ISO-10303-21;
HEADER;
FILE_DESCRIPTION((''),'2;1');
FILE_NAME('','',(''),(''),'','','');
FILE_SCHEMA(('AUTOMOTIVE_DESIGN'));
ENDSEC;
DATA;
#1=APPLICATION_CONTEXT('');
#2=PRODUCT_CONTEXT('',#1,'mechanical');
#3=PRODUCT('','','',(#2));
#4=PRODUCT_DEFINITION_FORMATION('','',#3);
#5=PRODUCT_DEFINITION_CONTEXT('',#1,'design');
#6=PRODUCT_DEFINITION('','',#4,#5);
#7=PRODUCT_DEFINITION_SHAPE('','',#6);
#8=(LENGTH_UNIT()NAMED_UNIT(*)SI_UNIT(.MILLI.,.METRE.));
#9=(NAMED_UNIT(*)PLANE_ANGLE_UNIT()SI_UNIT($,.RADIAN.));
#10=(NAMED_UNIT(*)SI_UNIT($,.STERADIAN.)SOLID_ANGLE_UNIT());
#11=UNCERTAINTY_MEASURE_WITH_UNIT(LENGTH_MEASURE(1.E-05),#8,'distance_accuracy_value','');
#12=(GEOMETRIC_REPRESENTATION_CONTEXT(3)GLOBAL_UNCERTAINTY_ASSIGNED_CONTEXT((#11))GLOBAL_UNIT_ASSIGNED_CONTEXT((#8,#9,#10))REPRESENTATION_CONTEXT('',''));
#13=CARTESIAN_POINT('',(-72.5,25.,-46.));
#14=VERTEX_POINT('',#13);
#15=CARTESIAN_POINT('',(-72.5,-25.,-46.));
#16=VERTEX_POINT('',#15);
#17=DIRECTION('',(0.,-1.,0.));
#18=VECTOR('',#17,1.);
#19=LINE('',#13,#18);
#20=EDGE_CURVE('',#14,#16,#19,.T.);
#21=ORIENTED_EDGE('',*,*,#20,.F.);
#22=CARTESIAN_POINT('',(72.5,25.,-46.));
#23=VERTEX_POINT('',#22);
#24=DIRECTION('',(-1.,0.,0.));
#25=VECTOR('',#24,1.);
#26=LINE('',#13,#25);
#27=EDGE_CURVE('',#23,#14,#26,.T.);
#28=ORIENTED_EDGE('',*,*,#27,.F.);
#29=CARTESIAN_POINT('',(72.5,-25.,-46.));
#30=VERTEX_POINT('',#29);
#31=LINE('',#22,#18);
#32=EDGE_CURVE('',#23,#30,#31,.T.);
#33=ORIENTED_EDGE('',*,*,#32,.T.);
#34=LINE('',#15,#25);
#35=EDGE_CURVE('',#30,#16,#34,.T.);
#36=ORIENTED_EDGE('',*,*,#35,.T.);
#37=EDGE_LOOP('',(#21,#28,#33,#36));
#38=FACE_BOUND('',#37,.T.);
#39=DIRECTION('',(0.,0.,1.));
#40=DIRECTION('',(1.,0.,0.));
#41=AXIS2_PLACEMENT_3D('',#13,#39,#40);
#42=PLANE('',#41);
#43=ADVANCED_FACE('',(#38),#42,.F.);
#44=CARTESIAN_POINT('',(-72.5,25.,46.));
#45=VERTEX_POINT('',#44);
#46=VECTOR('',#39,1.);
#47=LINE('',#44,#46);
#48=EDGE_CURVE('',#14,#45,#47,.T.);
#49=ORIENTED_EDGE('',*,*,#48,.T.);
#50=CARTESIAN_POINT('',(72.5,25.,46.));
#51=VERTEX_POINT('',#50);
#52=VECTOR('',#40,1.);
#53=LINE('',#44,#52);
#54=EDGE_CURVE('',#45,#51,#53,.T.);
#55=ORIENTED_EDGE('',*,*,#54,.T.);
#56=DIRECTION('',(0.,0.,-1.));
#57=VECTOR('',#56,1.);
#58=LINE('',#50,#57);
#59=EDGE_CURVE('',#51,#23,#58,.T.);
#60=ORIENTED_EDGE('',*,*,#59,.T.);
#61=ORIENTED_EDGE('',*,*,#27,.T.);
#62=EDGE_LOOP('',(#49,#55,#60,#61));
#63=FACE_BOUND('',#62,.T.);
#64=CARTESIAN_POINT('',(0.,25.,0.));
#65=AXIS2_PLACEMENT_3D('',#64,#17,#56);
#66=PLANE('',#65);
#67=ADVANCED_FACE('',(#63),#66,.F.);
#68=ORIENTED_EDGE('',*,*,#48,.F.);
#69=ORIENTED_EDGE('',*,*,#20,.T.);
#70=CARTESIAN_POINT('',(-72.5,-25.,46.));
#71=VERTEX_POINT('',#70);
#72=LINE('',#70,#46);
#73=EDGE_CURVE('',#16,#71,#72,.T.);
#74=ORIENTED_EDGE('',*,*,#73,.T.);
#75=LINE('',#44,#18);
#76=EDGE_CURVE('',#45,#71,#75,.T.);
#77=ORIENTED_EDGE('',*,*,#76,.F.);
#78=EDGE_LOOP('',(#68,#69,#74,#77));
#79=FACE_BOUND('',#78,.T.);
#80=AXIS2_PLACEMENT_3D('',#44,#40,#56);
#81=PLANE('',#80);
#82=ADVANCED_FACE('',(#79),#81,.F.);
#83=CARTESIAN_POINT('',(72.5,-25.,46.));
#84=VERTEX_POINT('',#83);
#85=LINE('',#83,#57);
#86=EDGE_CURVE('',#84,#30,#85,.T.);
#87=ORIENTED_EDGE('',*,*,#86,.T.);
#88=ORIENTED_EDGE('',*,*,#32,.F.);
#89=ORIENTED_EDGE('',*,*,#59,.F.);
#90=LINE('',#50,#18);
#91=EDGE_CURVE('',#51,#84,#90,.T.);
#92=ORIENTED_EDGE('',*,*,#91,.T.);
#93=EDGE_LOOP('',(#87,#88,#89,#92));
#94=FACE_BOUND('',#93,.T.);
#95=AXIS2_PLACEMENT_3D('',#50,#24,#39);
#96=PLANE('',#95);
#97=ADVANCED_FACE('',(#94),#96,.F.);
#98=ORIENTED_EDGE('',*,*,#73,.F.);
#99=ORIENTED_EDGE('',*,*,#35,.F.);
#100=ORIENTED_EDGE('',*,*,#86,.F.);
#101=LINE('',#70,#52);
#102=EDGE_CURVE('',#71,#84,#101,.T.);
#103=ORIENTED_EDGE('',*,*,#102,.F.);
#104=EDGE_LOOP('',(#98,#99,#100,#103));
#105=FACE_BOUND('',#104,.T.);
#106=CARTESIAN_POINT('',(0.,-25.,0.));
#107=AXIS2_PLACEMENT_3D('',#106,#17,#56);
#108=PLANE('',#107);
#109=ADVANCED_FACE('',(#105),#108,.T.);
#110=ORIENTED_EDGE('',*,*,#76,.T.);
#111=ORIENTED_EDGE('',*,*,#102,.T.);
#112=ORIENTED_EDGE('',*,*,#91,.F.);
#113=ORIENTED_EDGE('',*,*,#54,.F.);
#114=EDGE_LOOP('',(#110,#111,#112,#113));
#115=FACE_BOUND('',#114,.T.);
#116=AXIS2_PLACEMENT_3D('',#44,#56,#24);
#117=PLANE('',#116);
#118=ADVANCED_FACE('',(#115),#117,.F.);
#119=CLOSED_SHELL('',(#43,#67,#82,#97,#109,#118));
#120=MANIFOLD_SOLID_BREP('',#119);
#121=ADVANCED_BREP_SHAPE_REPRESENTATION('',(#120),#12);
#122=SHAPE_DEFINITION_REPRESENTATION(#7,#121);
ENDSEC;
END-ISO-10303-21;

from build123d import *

# Parameters (mm, degrees)
SKIZZE1_W                       = 145
SKIZZE1_H                       = 92
AUFSATZ_LINEAR_AUSTRAGEN1_DEPTH = 25


with BuildPart() as part:
    # Skizze1 → Aufsatz-Linear austragen1 (new body, symmetric)
    with BuildSketch(Plane(origin=(0, 0, 0), x_dir=(1, 0, 0), z_dir=(0, 1, 0))):
        Rectangle(SKIZZE1_W, SKIZZE1_H)
    extrude(amount=AUFSATZ_LINEAR_AUSTRAGEN1_DEPTH, both=True)


solid = part.part
